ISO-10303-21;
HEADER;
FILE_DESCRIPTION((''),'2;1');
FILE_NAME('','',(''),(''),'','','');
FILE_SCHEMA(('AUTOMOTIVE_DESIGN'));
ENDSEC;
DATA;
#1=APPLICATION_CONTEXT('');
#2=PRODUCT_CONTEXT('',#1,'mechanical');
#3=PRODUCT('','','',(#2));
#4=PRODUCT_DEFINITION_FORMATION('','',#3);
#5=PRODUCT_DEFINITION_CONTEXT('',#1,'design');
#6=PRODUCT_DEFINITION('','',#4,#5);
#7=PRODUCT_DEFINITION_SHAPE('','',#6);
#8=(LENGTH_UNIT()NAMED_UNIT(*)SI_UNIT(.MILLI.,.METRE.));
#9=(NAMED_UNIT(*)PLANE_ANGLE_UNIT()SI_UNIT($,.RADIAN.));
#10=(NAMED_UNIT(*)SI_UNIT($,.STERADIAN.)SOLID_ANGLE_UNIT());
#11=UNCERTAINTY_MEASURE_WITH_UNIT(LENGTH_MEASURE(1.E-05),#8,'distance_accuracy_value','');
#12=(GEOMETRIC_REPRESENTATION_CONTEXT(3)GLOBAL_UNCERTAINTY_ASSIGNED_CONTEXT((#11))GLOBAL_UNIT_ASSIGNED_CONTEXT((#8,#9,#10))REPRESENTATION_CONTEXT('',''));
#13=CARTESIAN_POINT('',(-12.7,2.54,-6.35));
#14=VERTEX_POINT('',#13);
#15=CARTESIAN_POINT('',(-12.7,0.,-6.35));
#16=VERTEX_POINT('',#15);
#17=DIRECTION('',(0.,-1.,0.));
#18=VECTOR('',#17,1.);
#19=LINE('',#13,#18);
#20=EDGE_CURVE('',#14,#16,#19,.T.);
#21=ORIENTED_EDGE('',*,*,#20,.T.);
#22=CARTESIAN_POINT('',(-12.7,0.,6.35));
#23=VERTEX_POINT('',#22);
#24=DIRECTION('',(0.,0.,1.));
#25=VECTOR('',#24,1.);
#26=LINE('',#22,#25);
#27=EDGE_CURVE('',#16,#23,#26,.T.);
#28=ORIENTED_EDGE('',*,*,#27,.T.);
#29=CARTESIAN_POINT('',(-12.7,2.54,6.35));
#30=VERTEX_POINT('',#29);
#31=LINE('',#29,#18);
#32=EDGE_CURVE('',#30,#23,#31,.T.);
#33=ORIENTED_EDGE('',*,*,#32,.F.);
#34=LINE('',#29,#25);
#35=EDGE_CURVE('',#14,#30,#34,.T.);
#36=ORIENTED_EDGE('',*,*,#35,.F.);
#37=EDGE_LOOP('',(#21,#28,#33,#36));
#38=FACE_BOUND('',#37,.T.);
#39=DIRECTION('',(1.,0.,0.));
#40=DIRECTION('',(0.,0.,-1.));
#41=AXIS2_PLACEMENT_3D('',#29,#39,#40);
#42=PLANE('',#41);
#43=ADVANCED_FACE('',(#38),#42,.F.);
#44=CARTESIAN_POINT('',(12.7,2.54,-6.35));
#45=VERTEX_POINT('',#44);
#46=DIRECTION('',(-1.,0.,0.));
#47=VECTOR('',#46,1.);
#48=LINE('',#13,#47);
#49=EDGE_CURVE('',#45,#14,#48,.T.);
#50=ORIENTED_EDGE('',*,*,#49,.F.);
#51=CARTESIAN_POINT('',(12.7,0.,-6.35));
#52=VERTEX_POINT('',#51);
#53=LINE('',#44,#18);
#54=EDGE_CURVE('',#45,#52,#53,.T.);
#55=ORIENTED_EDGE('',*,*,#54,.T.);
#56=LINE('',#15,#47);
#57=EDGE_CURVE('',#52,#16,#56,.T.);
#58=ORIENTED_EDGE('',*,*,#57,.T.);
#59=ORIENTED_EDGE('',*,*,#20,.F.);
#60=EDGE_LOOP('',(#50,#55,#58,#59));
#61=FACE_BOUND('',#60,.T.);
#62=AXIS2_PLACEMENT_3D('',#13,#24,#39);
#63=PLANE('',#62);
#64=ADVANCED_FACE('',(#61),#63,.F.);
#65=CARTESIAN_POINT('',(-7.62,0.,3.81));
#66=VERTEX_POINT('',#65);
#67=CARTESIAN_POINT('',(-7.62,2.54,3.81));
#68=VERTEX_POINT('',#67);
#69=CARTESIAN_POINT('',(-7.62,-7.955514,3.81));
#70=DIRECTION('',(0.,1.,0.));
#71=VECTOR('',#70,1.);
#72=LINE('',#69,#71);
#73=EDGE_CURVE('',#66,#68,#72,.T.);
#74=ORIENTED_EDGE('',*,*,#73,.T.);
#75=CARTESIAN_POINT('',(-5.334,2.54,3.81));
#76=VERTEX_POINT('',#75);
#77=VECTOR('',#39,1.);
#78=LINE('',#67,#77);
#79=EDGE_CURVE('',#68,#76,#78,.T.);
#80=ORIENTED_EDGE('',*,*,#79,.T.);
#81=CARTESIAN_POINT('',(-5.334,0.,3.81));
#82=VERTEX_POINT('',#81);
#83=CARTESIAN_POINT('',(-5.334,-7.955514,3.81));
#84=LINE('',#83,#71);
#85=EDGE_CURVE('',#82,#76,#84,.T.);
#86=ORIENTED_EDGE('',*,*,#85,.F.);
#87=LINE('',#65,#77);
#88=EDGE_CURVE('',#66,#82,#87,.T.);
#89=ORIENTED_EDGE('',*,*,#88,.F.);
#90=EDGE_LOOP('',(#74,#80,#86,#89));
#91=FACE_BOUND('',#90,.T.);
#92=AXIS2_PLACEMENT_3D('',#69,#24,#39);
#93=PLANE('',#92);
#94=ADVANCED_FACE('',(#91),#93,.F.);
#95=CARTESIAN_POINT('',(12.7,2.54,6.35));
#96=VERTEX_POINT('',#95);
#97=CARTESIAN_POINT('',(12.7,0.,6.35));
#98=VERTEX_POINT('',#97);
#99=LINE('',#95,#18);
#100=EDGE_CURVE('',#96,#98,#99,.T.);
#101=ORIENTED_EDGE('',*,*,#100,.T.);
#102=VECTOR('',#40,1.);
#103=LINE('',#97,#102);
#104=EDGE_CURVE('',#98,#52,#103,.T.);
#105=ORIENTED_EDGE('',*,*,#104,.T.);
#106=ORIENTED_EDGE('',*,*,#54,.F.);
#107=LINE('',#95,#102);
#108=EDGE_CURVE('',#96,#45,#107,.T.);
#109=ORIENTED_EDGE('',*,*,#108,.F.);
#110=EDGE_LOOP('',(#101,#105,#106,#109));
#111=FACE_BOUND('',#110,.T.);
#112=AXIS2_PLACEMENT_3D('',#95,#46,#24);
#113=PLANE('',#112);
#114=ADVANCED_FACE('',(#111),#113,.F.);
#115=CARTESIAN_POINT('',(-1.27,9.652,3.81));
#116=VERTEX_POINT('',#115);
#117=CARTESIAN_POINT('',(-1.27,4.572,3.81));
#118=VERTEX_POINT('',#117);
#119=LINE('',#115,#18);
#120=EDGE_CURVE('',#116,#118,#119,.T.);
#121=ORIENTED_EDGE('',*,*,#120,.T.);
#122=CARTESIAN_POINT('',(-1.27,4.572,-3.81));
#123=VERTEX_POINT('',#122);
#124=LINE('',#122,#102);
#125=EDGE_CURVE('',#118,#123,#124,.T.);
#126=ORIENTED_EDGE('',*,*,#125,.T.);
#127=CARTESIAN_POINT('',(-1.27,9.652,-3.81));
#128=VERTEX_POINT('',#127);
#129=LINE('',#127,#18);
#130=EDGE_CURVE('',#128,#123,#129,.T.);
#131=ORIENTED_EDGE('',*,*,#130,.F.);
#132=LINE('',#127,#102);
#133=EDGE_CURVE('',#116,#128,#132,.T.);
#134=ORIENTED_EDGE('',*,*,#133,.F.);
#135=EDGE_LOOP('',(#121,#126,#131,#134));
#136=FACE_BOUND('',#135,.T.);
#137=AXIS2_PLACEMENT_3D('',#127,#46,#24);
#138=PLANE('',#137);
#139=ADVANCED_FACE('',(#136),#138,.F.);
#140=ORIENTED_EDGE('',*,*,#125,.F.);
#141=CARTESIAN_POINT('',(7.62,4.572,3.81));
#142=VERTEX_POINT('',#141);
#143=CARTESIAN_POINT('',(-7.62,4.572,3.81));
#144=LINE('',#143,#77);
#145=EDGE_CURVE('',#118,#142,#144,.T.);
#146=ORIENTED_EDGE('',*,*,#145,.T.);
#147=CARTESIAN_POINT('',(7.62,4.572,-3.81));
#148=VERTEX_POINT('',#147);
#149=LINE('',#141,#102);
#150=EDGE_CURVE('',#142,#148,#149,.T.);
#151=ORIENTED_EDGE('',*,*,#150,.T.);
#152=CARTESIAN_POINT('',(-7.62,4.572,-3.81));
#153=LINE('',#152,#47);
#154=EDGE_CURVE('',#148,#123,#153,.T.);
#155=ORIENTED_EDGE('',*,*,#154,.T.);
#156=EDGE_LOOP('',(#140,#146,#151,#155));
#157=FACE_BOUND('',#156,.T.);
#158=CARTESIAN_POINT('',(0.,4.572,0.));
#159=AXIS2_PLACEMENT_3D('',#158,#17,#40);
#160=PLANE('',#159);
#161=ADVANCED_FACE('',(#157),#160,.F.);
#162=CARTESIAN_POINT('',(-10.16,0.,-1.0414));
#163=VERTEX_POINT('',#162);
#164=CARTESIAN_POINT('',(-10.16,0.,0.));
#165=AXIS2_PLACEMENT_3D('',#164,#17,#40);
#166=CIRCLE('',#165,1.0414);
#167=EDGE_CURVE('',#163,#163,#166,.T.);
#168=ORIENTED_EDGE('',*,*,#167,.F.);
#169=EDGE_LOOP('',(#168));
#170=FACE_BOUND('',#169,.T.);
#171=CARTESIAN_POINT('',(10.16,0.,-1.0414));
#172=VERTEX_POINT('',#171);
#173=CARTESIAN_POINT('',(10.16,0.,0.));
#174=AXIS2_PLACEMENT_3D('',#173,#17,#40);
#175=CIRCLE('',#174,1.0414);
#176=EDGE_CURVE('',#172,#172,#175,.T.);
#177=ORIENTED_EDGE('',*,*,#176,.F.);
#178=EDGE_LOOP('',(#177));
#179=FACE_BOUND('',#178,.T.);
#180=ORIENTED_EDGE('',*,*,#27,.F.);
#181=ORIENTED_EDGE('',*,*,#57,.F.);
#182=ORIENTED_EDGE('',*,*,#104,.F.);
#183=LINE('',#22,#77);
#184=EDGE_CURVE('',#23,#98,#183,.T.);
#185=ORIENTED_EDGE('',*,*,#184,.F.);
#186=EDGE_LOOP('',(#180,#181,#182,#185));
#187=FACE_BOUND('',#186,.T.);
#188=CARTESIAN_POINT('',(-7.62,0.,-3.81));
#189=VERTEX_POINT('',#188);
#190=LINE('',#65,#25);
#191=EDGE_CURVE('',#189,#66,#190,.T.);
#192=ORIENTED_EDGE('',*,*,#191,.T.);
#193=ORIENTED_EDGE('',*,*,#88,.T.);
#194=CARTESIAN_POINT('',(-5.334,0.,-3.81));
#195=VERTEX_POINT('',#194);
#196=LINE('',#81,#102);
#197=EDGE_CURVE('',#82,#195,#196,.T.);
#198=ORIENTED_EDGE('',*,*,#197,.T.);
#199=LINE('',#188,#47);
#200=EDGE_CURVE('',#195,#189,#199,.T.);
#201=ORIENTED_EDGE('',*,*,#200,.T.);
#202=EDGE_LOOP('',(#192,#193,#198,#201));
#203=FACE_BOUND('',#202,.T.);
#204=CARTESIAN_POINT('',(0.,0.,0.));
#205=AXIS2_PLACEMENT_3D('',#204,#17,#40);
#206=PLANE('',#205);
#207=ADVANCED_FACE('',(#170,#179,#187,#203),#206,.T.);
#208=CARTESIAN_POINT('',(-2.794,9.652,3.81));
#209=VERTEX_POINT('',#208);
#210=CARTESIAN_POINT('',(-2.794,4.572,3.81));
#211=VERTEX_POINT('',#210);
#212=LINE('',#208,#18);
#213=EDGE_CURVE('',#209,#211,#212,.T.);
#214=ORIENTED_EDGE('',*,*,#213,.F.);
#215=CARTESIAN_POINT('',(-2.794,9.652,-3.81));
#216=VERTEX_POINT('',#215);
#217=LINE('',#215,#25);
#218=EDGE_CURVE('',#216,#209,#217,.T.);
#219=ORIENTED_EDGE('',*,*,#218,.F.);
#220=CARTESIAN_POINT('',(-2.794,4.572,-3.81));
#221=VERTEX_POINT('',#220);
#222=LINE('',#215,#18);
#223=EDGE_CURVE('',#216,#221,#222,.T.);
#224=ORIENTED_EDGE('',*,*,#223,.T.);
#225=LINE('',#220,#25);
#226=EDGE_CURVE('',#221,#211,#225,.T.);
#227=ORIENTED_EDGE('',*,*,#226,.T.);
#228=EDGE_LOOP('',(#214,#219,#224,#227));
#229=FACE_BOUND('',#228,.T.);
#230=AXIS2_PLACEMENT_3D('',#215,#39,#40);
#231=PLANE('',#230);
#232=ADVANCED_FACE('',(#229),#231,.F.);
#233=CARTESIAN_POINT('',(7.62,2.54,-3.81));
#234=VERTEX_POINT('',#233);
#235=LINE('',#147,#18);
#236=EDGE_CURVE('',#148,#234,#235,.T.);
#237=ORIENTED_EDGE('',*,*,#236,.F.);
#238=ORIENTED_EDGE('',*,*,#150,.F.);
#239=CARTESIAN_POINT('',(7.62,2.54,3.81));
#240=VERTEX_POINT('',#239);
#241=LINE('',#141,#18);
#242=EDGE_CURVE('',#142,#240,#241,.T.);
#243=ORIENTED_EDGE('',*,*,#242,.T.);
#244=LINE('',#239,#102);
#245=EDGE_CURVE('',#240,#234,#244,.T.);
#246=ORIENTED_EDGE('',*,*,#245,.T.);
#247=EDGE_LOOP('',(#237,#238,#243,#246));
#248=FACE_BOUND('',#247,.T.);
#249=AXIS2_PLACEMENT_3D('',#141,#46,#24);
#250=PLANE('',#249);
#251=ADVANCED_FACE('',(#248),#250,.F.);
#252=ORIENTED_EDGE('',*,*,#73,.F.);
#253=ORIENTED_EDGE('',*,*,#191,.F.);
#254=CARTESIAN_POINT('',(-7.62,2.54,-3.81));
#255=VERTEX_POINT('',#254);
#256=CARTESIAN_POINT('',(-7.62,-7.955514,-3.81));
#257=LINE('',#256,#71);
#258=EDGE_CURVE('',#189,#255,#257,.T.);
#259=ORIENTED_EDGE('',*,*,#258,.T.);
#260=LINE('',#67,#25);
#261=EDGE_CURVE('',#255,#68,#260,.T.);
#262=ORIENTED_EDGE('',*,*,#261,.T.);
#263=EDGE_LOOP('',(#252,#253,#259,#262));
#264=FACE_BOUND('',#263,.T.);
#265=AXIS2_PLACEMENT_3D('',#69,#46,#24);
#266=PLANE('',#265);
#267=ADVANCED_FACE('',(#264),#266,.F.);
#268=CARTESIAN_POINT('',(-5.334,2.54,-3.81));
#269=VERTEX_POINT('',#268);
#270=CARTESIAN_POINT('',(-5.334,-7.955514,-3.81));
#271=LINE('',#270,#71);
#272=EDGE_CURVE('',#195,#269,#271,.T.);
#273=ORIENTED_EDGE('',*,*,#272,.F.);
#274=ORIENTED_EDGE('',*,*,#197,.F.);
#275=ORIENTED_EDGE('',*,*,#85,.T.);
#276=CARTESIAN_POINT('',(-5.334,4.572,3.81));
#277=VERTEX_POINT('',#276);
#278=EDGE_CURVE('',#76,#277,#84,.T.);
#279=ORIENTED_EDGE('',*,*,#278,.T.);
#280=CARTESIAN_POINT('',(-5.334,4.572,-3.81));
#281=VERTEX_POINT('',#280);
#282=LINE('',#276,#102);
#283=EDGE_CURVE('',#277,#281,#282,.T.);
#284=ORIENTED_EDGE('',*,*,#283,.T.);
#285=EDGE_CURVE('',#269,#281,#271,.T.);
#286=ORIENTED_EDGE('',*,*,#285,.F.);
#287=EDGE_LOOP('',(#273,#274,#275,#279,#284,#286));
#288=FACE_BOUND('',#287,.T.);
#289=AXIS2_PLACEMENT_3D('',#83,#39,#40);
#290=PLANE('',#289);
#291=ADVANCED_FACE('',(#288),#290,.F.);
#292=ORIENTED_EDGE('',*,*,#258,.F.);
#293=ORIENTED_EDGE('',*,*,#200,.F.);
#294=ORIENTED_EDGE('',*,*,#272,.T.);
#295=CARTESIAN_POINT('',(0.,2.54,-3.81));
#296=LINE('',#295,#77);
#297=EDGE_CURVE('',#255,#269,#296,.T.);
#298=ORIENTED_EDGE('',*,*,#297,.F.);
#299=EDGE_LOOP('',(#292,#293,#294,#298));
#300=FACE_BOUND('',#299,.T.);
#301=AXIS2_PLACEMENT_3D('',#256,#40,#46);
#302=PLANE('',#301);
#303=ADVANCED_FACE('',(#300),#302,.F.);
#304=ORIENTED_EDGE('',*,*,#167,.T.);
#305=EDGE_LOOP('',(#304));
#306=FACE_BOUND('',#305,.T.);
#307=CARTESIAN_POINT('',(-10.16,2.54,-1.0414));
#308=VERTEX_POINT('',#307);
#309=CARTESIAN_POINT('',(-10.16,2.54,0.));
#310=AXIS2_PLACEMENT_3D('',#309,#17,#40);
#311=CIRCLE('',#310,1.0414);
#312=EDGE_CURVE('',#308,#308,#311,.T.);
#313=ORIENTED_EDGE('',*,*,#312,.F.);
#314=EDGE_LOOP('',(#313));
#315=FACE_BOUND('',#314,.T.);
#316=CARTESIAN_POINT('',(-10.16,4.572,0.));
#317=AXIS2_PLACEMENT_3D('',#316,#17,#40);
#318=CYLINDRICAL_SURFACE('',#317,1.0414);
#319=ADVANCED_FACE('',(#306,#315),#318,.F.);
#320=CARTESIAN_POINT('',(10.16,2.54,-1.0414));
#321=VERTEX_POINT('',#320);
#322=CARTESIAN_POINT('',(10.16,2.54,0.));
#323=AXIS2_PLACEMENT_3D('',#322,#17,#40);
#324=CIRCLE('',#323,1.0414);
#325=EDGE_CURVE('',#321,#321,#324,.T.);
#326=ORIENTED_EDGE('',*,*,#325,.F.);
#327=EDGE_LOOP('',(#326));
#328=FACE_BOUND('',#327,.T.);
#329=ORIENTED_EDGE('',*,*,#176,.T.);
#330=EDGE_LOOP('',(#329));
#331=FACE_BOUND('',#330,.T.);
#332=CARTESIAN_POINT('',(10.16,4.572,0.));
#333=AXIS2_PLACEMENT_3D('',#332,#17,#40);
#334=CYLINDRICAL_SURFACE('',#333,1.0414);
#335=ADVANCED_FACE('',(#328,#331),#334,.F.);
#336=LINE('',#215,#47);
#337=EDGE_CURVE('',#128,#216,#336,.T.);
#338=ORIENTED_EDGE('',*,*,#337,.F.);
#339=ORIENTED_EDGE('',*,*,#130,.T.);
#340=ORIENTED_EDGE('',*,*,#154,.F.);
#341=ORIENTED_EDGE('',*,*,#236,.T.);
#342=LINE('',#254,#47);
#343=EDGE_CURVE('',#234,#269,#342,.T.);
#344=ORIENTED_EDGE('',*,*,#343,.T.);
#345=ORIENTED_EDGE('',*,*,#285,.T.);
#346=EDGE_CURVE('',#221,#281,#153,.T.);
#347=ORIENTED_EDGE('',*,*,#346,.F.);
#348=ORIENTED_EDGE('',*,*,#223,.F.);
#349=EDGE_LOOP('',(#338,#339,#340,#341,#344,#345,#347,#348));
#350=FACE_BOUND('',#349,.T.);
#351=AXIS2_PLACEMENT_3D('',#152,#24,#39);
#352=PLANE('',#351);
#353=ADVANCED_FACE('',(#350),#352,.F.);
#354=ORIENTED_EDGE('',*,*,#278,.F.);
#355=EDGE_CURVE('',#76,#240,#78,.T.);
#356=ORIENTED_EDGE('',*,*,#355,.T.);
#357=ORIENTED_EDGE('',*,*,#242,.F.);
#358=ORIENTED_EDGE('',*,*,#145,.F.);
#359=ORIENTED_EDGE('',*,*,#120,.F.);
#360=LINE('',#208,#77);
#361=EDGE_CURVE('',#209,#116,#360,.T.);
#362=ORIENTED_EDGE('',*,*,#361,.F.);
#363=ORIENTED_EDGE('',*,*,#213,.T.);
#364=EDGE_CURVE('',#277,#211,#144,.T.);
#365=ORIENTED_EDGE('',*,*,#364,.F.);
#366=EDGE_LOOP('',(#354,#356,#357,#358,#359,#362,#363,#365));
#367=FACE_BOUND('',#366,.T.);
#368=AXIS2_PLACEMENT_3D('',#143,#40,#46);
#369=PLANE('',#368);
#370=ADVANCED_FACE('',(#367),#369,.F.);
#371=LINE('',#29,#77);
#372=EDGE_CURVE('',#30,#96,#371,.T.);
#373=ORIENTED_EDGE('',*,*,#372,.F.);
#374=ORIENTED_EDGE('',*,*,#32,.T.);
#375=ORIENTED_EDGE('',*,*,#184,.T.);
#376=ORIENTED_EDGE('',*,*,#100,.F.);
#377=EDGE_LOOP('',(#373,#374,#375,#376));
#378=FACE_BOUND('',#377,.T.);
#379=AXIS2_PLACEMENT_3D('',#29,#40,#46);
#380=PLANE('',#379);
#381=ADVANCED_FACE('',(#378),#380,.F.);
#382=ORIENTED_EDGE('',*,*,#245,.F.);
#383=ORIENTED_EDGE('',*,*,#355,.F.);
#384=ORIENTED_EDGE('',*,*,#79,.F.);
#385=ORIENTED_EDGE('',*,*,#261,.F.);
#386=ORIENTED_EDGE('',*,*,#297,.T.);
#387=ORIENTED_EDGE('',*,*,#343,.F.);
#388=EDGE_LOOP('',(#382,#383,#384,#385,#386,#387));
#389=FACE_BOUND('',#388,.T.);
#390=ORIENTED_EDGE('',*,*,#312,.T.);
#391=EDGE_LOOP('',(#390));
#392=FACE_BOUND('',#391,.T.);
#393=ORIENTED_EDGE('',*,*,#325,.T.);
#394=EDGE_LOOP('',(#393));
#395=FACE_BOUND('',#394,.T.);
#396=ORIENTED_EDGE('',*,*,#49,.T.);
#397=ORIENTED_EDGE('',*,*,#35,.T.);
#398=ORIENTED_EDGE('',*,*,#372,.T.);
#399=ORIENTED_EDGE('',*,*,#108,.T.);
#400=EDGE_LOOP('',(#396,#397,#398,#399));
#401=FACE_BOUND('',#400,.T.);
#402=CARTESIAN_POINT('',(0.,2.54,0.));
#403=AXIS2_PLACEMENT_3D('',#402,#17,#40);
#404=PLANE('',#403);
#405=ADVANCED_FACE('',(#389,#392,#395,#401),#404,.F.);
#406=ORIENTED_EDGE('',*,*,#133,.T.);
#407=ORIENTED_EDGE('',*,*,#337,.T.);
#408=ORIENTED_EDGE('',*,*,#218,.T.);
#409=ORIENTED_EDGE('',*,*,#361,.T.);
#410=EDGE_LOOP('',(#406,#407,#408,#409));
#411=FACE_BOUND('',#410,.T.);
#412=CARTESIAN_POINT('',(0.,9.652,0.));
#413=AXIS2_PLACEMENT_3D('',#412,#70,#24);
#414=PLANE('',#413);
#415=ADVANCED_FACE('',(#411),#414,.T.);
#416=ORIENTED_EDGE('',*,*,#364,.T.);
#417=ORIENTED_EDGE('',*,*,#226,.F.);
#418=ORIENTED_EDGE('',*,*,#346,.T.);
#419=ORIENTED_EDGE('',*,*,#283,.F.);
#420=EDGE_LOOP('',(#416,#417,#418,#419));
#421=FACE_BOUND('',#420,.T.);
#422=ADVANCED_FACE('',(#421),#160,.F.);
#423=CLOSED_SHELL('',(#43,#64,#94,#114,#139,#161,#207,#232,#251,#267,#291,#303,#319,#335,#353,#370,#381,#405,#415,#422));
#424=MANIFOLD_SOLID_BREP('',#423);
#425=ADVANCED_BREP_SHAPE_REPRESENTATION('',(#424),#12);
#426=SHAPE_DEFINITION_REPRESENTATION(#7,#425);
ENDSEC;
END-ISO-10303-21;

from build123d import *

# Parameters (mm, degrees)
SKETCH1_W           = 25.4
SKETCH1_H           = 12.7
BOSS_EXTRUDE1_DEPTH = 2.54
SKETCH2_W           = 15.24
SKETCH2_H           = 7.62
BOSS_EXTRUDE2_DEPTH = 2.032
SKETCH3_R           = 1.0414
CUT_EXTRUDE1_DEPTH  = 5.572
SKETCH4_W           = 2.286
SKETCH4_H           = 7.62
CUT_EXTRUDE2_DEPTH  = 4.572
SKETCH5_W           = 1.524
SKETCH5_H           = 7.62
BOSS_EXTRUDE3_DEPTH = 5.08


with BuildPart() as part:
    # Sketch1 → Boss-Extrude1 (new body)
    with BuildSketch(Plane(origin=(0, 0, 0), x_dir=(1, 0, 0), z_dir=(0, 1, 0))):
        Rectangle(SKETCH1_W, SKETCH1_H)
    extrude(amount=BOSS_EXTRUDE1_DEPTH)

    # Sketch2 → Boss-Extrude2 (add)
    with BuildSketch(Plane(origin=(0, 2.54, 0), x_dir=(1, 0, 0), z_dir=(0, 1, 0))):
        Rectangle(SKETCH2_W, SKETCH2_H)
    extrude(amount=BOSS_EXTRUDE2_DEPTH)

    # Sketch3 → Cut-Extrude1 (cut, through all)
    with BuildSketch(Plane.XZ):
        with Locations((-10.16, 0)):
            Circle(SKETCH3_R)
        with Locations((10.16, 0)):
            Circle(SKETCH3_R)
    extrude(amount=-CUT_EXTRUDE1_DEPTH, mode=Mode.SUBTRACT)

    # Sketch4 → Cut-Extrude2 (cut)
    with BuildSketch(Plane(origin=(0, 4.572, 0), x_dir=(1, 0, 0), z_dir=(0, 1, 0))):
        with Locations((-6.477, 0)):
            Rectangle(SKETCH4_W, SKETCH4_H)
    extrude(amount=-CUT_EXTRUDE2_DEPTH, mode=Mode.SUBTRACT)

    # Sketch5 → Boss-Extrude3 (add)
    with BuildSketch(Plane(origin=(0, 4.572, 0), x_dir=(1, 0, 0), z_dir=(0, 1, 0))):
        with Locations((-2.032, 0)):
            Rectangle(SKETCH5_W, SKETCH5_H)
    extrude(amount=BOSS_EXTRUDE3_DEPTH)


solid = part.part
